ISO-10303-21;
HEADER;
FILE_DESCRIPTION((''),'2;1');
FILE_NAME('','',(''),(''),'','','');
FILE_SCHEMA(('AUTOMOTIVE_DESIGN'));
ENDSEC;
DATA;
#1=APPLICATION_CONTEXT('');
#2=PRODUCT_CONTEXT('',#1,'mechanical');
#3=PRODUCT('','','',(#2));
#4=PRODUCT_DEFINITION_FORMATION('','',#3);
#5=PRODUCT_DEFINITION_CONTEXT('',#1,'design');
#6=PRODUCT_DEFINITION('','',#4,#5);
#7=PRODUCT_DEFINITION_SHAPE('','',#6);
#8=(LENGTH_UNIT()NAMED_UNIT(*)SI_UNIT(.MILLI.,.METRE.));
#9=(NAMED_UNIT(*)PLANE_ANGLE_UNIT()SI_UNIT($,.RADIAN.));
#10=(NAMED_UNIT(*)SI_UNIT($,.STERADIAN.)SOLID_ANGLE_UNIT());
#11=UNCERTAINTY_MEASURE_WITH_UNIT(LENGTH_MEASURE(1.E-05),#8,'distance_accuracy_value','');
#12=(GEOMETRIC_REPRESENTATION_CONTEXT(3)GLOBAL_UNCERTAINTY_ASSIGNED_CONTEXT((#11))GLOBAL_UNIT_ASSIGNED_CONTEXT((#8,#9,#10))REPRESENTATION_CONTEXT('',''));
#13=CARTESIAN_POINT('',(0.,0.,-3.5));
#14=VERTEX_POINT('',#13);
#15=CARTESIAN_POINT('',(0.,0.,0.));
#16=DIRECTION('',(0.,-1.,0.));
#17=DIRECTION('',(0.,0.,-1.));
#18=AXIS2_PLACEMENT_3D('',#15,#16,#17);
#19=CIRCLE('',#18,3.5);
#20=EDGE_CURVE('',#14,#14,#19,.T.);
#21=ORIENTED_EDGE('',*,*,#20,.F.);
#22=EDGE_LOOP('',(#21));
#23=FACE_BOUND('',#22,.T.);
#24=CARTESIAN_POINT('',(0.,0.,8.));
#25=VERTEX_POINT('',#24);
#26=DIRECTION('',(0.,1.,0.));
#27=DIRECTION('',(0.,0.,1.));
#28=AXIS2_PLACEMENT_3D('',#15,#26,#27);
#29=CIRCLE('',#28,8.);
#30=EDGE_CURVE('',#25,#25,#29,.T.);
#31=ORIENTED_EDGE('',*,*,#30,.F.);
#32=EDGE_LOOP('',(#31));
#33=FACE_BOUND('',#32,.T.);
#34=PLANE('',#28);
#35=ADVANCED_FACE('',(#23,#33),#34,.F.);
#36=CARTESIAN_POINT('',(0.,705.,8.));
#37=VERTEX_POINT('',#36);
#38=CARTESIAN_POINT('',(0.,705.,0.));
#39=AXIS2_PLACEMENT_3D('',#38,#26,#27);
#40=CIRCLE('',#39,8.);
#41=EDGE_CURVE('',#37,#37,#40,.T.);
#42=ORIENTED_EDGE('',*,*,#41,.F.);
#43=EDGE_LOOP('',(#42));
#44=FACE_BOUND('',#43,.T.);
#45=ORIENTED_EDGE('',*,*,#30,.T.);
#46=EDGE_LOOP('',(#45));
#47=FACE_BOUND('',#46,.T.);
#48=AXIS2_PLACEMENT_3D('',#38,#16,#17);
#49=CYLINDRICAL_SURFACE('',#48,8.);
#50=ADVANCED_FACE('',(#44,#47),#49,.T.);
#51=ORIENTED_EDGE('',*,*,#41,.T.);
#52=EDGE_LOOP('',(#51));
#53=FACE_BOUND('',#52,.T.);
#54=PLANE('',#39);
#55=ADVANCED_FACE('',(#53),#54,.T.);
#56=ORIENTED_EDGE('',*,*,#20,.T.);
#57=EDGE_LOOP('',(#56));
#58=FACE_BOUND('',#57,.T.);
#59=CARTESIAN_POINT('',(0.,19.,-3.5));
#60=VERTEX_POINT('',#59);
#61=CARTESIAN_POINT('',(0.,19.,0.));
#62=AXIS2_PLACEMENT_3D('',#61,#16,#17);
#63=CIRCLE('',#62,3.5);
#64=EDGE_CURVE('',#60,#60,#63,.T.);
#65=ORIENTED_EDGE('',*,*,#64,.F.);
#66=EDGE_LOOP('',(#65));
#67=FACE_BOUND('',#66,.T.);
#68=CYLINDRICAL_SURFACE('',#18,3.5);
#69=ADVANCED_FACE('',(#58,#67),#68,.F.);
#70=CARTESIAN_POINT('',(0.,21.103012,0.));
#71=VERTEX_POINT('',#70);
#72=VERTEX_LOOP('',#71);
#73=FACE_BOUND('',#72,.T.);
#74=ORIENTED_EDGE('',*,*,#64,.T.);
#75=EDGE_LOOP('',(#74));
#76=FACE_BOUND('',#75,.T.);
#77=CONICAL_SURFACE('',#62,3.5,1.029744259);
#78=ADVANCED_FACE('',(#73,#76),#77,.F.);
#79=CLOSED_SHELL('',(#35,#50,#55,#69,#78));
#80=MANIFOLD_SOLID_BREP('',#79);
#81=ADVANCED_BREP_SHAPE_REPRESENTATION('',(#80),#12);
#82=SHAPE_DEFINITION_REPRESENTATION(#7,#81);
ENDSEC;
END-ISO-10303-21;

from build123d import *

# Parameters (mm, degrees)
SKETCH1_R                 = 8
BOSS_EXTRUDE1_DEPTH       = 705
M8X1_0_TAPPED_HOLE1_D     = 7
M8X1_0_TAPPED_HOLE1_DEPTH = 19
M8X1_0_TAPPED_HOLE1_TIP   = 2.103012167


with BuildPart() as part:
    # Sketch1 → Boss-Extrude1 (new body)
    with BuildSketch(Plane(origin=(0, 0, 0), x_dir=(1, 0, 0), z_dir=(0, 1, 0))):
        with Locations(Location((0, 0, 0), (0, 0, 270))):
            Circle(SKETCH1_R)
    extrude(amount=BOSS_EXTRUDE1_DEPTH)

    # M8x1.0 Tapped Hole1
    with Locations(Plane(origin=(0, 0, 0), x_dir=(-1, 0, 0), z_dir=(0, -1, 0))):
        with Locations((0, 0)):
            Hole(M8X1_0_TAPPED_HOLE1_D / 2, depth=M8X1_0_TAPPED_HOLE1_DEPTH)
            with Locations((0, 0, -(M8X1_0_TAPPED_HOLE1_DEPTH + M8X1_0_TAPPED_HOLE1_TIP / 2))):  # 118° drill point
                Cone(0, M8X1_0_TAPPED_HOLE1_D / 2, M8X1_0_TAPPED_HOLE1_TIP, mode=Mode.SUBTRACT)


solid = part.part
